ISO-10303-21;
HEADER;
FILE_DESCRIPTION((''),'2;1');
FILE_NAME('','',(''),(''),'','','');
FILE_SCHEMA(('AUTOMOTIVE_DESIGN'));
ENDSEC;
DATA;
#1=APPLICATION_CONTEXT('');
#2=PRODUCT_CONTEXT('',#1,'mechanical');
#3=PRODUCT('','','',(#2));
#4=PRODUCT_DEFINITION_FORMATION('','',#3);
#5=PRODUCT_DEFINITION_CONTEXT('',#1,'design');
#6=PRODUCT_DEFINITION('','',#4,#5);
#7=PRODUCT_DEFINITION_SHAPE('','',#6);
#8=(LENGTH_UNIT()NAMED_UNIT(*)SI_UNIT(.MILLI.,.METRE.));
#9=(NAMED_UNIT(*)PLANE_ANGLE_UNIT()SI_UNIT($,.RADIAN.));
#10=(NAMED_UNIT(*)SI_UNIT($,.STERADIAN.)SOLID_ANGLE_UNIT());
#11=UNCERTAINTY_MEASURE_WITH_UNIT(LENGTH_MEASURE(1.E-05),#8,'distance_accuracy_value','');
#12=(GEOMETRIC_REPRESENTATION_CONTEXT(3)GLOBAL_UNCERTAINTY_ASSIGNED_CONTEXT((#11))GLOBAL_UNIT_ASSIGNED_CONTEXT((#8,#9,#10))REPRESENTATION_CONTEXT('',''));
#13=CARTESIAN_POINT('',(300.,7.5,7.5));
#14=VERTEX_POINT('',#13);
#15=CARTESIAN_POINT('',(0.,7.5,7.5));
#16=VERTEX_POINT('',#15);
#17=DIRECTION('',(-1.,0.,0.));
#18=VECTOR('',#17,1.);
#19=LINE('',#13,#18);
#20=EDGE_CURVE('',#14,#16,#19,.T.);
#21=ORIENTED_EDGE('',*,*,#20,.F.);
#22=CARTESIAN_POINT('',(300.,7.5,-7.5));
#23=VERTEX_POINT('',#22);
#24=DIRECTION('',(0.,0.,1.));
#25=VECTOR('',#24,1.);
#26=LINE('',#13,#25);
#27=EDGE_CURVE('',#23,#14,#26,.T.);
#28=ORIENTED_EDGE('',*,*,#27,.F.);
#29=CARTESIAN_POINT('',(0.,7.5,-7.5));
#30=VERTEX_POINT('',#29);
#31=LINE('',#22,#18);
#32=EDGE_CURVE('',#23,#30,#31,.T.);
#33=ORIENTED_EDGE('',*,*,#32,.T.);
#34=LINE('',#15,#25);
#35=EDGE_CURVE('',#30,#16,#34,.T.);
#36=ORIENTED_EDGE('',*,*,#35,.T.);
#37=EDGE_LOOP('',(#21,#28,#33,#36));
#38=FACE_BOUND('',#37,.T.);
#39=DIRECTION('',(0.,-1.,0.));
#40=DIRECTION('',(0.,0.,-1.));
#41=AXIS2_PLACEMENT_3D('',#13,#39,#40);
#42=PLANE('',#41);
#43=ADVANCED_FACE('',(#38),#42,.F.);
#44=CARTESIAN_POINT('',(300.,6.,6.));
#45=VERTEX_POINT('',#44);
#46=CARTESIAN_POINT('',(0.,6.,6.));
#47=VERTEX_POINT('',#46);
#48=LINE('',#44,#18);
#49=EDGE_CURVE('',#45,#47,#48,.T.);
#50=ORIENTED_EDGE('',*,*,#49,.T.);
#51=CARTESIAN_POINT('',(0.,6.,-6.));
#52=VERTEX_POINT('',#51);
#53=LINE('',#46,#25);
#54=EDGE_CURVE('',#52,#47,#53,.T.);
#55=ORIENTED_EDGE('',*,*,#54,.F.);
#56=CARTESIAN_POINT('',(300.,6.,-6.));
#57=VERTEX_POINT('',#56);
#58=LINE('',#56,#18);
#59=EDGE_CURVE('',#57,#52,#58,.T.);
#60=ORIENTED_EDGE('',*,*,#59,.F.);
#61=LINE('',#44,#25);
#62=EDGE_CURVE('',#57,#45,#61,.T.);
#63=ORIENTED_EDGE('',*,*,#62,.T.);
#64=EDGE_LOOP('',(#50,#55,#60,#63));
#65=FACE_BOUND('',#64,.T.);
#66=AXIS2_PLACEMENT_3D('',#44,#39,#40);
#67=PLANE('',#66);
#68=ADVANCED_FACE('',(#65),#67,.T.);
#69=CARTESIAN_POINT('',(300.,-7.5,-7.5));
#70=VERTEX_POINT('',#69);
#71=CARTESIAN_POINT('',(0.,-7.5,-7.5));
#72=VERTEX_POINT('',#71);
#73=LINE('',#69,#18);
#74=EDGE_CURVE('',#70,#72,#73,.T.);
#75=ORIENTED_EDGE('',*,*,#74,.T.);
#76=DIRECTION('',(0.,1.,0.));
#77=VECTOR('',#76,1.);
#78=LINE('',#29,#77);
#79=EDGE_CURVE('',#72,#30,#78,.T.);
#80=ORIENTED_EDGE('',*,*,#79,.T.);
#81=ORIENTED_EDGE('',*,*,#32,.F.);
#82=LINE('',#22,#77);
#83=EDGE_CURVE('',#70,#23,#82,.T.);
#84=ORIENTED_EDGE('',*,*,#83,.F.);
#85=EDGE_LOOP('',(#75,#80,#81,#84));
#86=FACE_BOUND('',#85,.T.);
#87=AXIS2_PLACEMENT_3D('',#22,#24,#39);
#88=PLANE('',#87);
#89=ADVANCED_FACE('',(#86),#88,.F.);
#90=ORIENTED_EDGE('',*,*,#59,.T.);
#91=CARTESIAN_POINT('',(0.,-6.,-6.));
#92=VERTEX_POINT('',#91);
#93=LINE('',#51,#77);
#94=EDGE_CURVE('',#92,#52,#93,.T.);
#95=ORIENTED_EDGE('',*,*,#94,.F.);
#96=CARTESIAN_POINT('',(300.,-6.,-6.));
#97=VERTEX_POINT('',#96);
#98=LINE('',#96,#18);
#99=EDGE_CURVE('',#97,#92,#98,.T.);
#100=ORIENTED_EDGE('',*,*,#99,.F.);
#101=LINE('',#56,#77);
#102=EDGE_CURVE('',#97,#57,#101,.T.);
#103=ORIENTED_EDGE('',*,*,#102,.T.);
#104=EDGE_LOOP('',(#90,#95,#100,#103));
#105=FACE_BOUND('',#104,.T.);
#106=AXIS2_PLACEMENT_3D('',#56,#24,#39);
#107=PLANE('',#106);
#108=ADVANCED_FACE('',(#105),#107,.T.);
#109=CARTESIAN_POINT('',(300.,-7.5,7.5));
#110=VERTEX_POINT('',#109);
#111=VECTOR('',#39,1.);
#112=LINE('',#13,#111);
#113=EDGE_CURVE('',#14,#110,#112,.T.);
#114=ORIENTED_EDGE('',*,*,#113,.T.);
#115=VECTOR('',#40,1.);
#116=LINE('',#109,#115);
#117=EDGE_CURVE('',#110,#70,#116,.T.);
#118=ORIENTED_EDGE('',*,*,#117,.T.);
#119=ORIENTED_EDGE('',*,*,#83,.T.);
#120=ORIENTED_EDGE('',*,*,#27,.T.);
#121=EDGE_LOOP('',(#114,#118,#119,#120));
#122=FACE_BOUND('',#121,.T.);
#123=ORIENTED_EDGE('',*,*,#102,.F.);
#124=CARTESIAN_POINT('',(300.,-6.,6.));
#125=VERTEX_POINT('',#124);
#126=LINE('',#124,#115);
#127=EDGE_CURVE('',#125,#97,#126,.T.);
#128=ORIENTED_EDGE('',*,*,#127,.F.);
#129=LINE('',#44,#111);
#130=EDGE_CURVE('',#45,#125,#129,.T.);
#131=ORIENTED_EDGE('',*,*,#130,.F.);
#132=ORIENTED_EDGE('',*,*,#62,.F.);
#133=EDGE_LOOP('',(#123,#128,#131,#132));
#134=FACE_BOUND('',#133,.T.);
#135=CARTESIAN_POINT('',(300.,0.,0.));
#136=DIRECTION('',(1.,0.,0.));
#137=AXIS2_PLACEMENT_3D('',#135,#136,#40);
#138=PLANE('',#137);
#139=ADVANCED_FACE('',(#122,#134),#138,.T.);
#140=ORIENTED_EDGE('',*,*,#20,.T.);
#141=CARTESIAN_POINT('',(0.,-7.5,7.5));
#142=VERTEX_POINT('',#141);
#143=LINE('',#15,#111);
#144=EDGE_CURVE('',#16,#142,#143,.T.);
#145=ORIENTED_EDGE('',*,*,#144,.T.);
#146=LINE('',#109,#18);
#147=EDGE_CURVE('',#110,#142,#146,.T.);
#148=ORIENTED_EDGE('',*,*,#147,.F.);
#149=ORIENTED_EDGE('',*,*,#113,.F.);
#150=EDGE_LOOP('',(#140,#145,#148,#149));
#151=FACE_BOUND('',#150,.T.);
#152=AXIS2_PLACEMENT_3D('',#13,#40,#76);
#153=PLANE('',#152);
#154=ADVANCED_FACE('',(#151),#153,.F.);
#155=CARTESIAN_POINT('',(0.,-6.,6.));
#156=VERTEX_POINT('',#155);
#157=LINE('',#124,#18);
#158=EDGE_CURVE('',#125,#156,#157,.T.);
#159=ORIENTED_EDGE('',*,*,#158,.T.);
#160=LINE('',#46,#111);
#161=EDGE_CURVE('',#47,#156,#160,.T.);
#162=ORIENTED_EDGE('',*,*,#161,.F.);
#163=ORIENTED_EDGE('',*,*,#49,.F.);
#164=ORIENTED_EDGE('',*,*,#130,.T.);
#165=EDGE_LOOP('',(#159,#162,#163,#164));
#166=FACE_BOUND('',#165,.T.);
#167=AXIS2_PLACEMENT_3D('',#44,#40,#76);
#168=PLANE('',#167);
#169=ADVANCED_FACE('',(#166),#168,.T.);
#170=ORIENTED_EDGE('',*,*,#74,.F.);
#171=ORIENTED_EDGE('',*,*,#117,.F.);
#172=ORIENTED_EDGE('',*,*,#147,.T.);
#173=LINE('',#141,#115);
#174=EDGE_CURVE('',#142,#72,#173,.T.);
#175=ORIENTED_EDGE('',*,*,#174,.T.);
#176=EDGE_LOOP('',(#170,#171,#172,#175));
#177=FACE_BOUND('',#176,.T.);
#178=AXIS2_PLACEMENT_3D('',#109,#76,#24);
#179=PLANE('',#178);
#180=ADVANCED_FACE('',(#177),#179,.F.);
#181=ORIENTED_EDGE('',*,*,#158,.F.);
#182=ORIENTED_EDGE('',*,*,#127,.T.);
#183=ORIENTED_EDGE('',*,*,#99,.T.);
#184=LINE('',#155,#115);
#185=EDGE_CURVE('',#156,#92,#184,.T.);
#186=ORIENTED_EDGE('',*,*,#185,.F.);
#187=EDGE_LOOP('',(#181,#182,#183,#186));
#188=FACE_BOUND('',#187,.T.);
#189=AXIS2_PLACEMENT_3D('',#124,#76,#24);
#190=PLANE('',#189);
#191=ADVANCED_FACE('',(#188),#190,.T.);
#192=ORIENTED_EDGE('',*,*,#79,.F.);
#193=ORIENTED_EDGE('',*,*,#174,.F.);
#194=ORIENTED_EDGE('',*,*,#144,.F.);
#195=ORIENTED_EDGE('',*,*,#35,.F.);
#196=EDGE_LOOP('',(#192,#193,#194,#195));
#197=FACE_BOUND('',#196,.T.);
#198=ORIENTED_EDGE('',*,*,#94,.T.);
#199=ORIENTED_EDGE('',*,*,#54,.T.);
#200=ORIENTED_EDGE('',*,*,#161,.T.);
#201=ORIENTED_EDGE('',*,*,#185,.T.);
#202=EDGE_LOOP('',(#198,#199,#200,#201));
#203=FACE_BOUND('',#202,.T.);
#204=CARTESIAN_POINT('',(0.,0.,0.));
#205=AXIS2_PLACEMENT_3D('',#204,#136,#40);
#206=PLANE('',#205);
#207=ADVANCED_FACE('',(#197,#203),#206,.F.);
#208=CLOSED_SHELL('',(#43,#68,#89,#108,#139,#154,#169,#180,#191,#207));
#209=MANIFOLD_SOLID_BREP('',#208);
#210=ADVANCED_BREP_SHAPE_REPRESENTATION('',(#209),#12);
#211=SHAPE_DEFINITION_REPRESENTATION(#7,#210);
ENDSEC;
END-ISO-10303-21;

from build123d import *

# Parameters (mm, degrees)
SKETCH1_W           = 15
SKETCH1_H           = 15
SKETCH1_W_2         = 12
SKETCH1_H_2         = 12
BOSS_EXTRUDE1_DEPTH = 300


with BuildPart() as part:
    # Sketch1 → Boss-Extrude1 (new body)
    with BuildSketch(Plane(origin=(0, 0, 0), x_dir=(0, 0, -1), z_dir=(1, 0, 0))):
        Rectangle(SKETCH1_W, SKETCH1_H)
        Rectangle(SKETCH1_W_2, SKETCH1_H_2, mode=Mode.SUBTRACT)
    extrude(amount=BOSS_EXTRUDE1_DEPTH)


solid = part.part
